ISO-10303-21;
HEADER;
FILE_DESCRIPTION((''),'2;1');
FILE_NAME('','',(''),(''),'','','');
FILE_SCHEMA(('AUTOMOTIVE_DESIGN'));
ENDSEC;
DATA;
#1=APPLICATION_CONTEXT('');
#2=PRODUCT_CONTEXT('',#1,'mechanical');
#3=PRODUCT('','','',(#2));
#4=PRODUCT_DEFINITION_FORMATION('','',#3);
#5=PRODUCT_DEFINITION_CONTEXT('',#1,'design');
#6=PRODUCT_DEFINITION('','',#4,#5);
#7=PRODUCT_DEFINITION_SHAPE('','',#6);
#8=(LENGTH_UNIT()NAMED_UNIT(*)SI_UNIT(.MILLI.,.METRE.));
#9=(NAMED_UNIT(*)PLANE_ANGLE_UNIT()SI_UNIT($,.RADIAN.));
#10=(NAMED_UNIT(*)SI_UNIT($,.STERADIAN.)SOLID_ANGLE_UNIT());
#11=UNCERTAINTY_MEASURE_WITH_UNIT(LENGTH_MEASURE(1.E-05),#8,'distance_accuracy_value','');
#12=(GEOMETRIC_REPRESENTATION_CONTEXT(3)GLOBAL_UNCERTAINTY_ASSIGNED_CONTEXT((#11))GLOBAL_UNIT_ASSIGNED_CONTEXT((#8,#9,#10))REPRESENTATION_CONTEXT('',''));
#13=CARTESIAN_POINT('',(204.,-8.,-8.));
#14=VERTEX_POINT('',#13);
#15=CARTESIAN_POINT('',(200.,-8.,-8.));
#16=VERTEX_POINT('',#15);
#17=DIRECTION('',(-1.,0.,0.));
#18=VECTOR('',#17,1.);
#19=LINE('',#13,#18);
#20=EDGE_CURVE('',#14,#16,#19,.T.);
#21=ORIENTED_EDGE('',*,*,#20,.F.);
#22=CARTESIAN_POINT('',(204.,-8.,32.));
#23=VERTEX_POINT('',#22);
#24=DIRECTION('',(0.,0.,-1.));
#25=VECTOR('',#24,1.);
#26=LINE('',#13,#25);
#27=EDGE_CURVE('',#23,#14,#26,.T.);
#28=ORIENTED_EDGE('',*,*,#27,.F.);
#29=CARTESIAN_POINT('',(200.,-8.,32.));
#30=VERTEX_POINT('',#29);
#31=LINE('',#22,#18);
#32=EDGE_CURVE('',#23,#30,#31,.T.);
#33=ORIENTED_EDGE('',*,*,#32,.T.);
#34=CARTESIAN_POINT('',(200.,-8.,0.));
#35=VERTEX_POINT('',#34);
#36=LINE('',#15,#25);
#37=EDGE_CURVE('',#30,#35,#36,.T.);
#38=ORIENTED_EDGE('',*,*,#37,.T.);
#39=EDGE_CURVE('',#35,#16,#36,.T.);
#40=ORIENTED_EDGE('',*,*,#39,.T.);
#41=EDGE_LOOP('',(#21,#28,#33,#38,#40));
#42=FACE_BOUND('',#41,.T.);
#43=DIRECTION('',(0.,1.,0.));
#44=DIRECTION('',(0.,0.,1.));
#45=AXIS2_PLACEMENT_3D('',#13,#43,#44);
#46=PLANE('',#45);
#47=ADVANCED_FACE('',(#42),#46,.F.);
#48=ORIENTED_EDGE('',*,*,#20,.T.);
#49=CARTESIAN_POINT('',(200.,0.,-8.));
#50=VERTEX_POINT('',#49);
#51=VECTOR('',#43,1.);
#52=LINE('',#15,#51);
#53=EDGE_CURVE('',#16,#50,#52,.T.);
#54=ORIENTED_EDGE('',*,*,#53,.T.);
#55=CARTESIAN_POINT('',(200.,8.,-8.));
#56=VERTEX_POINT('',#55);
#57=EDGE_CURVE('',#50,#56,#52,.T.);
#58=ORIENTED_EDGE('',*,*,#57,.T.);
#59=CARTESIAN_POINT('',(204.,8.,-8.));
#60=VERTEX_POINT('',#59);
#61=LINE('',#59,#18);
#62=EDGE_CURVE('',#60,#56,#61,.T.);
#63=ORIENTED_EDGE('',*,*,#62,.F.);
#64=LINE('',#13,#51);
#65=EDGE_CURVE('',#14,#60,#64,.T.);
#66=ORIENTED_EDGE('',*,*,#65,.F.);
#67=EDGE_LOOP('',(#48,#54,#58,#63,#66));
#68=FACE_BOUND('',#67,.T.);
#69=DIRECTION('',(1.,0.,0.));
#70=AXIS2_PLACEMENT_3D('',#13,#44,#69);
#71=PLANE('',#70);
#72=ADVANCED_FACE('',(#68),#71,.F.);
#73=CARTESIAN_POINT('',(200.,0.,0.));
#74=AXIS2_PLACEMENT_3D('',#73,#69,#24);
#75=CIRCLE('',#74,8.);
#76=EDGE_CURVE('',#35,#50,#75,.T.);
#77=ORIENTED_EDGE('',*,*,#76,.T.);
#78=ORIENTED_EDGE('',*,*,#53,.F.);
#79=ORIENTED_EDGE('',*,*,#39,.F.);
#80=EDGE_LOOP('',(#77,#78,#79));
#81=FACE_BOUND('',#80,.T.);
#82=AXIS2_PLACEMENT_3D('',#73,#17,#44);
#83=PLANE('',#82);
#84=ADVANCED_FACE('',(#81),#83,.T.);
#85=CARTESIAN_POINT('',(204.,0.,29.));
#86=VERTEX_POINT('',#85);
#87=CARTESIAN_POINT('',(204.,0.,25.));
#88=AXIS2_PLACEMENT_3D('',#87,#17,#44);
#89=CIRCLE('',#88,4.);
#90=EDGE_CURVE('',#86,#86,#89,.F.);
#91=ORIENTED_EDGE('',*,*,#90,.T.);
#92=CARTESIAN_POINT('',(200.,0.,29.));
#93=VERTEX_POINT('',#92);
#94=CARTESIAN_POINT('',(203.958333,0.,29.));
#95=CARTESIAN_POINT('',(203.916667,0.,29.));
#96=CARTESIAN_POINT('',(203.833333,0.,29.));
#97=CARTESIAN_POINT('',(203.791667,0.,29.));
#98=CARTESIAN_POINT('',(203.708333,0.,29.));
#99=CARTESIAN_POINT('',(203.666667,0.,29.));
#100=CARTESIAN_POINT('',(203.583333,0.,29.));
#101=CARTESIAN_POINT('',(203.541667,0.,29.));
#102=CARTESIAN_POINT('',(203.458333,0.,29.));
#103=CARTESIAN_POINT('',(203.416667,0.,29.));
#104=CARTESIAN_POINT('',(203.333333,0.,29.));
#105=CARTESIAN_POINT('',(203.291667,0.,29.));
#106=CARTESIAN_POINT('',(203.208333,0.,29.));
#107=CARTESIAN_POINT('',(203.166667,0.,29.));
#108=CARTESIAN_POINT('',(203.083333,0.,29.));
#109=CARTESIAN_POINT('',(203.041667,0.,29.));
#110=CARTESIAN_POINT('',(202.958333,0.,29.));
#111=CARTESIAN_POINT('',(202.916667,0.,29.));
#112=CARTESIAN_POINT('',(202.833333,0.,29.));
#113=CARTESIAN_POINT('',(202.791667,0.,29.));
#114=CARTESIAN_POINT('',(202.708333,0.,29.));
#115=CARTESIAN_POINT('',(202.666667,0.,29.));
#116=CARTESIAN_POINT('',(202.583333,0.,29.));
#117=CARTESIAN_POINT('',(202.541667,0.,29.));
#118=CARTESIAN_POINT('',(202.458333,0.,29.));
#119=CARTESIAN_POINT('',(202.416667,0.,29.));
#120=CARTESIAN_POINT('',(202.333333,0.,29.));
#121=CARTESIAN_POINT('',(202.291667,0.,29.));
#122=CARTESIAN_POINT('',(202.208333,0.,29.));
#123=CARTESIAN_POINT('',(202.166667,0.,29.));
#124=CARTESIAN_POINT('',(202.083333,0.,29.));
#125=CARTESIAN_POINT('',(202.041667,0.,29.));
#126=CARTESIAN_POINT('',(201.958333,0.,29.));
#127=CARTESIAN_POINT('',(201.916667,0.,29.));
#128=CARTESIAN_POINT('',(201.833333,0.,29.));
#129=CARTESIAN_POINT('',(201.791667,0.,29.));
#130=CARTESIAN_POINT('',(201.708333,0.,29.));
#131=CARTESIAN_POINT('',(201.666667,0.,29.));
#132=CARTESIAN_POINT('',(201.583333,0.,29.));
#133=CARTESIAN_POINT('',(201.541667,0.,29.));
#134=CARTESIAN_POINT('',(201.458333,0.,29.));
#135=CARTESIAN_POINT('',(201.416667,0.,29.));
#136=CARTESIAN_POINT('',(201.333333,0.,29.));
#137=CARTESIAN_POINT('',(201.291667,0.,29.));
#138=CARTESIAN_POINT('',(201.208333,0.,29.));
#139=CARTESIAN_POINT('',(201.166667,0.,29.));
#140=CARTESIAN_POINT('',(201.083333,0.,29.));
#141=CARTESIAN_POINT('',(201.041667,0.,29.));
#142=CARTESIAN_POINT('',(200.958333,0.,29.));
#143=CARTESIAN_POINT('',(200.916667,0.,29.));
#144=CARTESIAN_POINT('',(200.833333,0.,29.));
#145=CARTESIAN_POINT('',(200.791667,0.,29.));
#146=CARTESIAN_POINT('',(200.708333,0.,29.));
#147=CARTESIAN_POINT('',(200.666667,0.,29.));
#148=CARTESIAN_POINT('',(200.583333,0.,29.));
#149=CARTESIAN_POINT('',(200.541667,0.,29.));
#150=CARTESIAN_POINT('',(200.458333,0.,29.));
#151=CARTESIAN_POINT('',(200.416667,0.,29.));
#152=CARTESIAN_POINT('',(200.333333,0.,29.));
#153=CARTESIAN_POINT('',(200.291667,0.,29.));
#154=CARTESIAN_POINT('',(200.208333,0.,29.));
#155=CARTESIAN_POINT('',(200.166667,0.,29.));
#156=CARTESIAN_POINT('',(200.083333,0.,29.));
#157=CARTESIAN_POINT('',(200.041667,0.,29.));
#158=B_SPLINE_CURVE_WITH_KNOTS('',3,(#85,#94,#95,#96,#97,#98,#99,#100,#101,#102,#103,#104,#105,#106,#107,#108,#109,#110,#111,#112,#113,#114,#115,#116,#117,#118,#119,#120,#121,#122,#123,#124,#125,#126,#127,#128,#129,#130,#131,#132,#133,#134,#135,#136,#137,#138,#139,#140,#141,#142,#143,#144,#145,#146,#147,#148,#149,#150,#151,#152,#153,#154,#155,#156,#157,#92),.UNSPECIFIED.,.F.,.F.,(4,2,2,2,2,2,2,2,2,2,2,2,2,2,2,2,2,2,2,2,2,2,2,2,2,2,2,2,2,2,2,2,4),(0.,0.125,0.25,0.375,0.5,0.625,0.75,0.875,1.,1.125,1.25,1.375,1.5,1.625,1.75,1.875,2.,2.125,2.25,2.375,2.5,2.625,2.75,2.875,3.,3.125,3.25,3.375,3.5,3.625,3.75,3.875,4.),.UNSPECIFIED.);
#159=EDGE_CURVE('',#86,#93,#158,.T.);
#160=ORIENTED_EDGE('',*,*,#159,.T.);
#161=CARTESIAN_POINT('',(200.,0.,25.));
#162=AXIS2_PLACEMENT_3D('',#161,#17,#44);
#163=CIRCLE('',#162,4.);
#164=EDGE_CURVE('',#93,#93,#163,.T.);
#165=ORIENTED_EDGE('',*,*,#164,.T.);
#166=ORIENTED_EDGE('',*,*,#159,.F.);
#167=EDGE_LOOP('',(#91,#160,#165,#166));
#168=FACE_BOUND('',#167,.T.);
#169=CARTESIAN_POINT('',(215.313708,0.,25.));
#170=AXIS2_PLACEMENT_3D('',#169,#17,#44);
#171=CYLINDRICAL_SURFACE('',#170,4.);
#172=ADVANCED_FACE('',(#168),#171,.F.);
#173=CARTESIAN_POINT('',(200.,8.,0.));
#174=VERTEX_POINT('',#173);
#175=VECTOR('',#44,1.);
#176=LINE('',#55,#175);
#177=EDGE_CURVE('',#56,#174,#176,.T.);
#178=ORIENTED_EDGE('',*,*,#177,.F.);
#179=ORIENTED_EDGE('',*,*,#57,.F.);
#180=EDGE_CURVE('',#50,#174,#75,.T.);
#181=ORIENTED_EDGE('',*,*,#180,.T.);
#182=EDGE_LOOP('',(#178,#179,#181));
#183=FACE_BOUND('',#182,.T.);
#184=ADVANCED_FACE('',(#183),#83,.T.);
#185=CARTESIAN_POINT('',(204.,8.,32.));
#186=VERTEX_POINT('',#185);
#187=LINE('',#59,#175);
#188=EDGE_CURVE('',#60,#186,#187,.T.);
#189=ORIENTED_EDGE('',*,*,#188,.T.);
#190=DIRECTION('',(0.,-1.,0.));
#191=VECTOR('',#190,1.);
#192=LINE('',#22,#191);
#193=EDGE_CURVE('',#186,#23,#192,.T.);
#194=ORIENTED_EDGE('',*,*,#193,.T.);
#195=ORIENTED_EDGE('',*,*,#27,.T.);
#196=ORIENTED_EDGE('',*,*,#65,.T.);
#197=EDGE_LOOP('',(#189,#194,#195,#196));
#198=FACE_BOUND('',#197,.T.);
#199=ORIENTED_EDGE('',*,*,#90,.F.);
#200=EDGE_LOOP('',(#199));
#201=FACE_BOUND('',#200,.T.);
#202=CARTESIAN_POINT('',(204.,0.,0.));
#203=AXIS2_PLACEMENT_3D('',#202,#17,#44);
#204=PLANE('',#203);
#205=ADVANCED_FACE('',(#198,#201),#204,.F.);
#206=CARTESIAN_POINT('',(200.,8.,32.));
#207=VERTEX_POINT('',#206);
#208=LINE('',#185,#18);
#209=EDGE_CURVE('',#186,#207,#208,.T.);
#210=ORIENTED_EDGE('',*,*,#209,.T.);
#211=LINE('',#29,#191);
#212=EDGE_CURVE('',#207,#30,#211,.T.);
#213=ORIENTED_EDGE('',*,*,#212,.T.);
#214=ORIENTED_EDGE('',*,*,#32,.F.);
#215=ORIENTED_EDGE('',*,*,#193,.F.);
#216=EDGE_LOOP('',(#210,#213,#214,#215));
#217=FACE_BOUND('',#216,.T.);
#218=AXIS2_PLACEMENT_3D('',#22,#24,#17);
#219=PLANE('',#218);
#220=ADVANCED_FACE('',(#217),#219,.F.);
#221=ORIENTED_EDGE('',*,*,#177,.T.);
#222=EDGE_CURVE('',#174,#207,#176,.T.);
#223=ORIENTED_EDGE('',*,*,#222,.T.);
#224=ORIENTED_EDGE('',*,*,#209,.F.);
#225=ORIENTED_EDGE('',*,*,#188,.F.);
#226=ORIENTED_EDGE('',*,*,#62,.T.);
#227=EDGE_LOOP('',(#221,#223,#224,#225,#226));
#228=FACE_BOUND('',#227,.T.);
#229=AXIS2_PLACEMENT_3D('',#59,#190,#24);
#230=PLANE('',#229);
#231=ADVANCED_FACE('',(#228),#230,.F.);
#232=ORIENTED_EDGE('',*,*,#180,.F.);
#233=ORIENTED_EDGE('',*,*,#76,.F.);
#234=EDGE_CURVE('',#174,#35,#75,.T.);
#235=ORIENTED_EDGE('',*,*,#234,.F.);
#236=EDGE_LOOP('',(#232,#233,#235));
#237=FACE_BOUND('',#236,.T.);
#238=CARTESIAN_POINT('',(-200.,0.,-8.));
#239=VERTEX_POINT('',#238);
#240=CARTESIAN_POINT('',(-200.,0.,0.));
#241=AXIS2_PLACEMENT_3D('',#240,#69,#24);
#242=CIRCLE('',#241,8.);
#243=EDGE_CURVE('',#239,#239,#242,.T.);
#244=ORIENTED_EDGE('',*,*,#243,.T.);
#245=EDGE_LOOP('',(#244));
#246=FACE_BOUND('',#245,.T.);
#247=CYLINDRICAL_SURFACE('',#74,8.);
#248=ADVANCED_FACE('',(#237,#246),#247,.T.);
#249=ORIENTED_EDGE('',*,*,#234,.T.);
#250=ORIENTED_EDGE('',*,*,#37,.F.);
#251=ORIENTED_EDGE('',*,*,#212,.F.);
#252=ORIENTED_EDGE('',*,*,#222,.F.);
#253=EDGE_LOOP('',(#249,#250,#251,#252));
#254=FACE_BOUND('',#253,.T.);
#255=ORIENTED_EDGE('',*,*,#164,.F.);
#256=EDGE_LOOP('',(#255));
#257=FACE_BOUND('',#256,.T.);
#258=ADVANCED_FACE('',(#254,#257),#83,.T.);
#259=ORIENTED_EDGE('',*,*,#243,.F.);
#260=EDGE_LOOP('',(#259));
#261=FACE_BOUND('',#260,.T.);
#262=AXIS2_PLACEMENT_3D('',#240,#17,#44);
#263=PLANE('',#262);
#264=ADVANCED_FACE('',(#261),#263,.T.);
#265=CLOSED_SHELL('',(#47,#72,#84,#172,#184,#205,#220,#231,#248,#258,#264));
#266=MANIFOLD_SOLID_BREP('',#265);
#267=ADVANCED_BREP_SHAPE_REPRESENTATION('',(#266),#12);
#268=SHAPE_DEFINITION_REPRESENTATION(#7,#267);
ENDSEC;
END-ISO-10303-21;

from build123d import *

# Parameters (mm, degrees)
SKETCH2_W           = 400
SKETCH2_H           = 8
SKETCH3_W           = 16
SKETCH3_H           = 40
BOSS_EXTRUDE1_DEPTH = 4
SKETCH5_R           = 4
CUT_EXTRUDE1_DEPTH  = 4


with BuildPart() as part:
    # Sketch2 → Revolve1 (revolve)
    with BuildSketch(Plane(origin=(0, 0, 0), x_dir=(-1, 0, 0), z_dir=(0, 1, 0))):
        with Locations((0, -4)):
            Rectangle(SKETCH2_W, SKETCH2_H)
    revolve(axis=Axis((200, 0, 0), (-1, 0, 0)))

    # Sketch3 → Boss-Extrude1 (add)
    with BuildSketch(Plane.YZ.offset(200)):
        with Locations((0, 12)):
            Rectangle(SKETCH3_W, SKETCH3_H)
    extrude(amount=BOSS_EXTRUDE1_DEPTH)

    # Sketch5 → Cut-Extrude1 (cut)
    with BuildSketch(Plane(origin=(200, 0, 0), x_dir=(0, -1, 0), z_dir=(-1, 0, 0))):
        with Locations(Location((0, 25, 0), (0, 0, 90))):
            Circle(SKETCH5_R)
    extrude(amount=-CUT_EXTRUDE1_DEPTH, mode=Mode.SUBTRACT)


solid = part.part
